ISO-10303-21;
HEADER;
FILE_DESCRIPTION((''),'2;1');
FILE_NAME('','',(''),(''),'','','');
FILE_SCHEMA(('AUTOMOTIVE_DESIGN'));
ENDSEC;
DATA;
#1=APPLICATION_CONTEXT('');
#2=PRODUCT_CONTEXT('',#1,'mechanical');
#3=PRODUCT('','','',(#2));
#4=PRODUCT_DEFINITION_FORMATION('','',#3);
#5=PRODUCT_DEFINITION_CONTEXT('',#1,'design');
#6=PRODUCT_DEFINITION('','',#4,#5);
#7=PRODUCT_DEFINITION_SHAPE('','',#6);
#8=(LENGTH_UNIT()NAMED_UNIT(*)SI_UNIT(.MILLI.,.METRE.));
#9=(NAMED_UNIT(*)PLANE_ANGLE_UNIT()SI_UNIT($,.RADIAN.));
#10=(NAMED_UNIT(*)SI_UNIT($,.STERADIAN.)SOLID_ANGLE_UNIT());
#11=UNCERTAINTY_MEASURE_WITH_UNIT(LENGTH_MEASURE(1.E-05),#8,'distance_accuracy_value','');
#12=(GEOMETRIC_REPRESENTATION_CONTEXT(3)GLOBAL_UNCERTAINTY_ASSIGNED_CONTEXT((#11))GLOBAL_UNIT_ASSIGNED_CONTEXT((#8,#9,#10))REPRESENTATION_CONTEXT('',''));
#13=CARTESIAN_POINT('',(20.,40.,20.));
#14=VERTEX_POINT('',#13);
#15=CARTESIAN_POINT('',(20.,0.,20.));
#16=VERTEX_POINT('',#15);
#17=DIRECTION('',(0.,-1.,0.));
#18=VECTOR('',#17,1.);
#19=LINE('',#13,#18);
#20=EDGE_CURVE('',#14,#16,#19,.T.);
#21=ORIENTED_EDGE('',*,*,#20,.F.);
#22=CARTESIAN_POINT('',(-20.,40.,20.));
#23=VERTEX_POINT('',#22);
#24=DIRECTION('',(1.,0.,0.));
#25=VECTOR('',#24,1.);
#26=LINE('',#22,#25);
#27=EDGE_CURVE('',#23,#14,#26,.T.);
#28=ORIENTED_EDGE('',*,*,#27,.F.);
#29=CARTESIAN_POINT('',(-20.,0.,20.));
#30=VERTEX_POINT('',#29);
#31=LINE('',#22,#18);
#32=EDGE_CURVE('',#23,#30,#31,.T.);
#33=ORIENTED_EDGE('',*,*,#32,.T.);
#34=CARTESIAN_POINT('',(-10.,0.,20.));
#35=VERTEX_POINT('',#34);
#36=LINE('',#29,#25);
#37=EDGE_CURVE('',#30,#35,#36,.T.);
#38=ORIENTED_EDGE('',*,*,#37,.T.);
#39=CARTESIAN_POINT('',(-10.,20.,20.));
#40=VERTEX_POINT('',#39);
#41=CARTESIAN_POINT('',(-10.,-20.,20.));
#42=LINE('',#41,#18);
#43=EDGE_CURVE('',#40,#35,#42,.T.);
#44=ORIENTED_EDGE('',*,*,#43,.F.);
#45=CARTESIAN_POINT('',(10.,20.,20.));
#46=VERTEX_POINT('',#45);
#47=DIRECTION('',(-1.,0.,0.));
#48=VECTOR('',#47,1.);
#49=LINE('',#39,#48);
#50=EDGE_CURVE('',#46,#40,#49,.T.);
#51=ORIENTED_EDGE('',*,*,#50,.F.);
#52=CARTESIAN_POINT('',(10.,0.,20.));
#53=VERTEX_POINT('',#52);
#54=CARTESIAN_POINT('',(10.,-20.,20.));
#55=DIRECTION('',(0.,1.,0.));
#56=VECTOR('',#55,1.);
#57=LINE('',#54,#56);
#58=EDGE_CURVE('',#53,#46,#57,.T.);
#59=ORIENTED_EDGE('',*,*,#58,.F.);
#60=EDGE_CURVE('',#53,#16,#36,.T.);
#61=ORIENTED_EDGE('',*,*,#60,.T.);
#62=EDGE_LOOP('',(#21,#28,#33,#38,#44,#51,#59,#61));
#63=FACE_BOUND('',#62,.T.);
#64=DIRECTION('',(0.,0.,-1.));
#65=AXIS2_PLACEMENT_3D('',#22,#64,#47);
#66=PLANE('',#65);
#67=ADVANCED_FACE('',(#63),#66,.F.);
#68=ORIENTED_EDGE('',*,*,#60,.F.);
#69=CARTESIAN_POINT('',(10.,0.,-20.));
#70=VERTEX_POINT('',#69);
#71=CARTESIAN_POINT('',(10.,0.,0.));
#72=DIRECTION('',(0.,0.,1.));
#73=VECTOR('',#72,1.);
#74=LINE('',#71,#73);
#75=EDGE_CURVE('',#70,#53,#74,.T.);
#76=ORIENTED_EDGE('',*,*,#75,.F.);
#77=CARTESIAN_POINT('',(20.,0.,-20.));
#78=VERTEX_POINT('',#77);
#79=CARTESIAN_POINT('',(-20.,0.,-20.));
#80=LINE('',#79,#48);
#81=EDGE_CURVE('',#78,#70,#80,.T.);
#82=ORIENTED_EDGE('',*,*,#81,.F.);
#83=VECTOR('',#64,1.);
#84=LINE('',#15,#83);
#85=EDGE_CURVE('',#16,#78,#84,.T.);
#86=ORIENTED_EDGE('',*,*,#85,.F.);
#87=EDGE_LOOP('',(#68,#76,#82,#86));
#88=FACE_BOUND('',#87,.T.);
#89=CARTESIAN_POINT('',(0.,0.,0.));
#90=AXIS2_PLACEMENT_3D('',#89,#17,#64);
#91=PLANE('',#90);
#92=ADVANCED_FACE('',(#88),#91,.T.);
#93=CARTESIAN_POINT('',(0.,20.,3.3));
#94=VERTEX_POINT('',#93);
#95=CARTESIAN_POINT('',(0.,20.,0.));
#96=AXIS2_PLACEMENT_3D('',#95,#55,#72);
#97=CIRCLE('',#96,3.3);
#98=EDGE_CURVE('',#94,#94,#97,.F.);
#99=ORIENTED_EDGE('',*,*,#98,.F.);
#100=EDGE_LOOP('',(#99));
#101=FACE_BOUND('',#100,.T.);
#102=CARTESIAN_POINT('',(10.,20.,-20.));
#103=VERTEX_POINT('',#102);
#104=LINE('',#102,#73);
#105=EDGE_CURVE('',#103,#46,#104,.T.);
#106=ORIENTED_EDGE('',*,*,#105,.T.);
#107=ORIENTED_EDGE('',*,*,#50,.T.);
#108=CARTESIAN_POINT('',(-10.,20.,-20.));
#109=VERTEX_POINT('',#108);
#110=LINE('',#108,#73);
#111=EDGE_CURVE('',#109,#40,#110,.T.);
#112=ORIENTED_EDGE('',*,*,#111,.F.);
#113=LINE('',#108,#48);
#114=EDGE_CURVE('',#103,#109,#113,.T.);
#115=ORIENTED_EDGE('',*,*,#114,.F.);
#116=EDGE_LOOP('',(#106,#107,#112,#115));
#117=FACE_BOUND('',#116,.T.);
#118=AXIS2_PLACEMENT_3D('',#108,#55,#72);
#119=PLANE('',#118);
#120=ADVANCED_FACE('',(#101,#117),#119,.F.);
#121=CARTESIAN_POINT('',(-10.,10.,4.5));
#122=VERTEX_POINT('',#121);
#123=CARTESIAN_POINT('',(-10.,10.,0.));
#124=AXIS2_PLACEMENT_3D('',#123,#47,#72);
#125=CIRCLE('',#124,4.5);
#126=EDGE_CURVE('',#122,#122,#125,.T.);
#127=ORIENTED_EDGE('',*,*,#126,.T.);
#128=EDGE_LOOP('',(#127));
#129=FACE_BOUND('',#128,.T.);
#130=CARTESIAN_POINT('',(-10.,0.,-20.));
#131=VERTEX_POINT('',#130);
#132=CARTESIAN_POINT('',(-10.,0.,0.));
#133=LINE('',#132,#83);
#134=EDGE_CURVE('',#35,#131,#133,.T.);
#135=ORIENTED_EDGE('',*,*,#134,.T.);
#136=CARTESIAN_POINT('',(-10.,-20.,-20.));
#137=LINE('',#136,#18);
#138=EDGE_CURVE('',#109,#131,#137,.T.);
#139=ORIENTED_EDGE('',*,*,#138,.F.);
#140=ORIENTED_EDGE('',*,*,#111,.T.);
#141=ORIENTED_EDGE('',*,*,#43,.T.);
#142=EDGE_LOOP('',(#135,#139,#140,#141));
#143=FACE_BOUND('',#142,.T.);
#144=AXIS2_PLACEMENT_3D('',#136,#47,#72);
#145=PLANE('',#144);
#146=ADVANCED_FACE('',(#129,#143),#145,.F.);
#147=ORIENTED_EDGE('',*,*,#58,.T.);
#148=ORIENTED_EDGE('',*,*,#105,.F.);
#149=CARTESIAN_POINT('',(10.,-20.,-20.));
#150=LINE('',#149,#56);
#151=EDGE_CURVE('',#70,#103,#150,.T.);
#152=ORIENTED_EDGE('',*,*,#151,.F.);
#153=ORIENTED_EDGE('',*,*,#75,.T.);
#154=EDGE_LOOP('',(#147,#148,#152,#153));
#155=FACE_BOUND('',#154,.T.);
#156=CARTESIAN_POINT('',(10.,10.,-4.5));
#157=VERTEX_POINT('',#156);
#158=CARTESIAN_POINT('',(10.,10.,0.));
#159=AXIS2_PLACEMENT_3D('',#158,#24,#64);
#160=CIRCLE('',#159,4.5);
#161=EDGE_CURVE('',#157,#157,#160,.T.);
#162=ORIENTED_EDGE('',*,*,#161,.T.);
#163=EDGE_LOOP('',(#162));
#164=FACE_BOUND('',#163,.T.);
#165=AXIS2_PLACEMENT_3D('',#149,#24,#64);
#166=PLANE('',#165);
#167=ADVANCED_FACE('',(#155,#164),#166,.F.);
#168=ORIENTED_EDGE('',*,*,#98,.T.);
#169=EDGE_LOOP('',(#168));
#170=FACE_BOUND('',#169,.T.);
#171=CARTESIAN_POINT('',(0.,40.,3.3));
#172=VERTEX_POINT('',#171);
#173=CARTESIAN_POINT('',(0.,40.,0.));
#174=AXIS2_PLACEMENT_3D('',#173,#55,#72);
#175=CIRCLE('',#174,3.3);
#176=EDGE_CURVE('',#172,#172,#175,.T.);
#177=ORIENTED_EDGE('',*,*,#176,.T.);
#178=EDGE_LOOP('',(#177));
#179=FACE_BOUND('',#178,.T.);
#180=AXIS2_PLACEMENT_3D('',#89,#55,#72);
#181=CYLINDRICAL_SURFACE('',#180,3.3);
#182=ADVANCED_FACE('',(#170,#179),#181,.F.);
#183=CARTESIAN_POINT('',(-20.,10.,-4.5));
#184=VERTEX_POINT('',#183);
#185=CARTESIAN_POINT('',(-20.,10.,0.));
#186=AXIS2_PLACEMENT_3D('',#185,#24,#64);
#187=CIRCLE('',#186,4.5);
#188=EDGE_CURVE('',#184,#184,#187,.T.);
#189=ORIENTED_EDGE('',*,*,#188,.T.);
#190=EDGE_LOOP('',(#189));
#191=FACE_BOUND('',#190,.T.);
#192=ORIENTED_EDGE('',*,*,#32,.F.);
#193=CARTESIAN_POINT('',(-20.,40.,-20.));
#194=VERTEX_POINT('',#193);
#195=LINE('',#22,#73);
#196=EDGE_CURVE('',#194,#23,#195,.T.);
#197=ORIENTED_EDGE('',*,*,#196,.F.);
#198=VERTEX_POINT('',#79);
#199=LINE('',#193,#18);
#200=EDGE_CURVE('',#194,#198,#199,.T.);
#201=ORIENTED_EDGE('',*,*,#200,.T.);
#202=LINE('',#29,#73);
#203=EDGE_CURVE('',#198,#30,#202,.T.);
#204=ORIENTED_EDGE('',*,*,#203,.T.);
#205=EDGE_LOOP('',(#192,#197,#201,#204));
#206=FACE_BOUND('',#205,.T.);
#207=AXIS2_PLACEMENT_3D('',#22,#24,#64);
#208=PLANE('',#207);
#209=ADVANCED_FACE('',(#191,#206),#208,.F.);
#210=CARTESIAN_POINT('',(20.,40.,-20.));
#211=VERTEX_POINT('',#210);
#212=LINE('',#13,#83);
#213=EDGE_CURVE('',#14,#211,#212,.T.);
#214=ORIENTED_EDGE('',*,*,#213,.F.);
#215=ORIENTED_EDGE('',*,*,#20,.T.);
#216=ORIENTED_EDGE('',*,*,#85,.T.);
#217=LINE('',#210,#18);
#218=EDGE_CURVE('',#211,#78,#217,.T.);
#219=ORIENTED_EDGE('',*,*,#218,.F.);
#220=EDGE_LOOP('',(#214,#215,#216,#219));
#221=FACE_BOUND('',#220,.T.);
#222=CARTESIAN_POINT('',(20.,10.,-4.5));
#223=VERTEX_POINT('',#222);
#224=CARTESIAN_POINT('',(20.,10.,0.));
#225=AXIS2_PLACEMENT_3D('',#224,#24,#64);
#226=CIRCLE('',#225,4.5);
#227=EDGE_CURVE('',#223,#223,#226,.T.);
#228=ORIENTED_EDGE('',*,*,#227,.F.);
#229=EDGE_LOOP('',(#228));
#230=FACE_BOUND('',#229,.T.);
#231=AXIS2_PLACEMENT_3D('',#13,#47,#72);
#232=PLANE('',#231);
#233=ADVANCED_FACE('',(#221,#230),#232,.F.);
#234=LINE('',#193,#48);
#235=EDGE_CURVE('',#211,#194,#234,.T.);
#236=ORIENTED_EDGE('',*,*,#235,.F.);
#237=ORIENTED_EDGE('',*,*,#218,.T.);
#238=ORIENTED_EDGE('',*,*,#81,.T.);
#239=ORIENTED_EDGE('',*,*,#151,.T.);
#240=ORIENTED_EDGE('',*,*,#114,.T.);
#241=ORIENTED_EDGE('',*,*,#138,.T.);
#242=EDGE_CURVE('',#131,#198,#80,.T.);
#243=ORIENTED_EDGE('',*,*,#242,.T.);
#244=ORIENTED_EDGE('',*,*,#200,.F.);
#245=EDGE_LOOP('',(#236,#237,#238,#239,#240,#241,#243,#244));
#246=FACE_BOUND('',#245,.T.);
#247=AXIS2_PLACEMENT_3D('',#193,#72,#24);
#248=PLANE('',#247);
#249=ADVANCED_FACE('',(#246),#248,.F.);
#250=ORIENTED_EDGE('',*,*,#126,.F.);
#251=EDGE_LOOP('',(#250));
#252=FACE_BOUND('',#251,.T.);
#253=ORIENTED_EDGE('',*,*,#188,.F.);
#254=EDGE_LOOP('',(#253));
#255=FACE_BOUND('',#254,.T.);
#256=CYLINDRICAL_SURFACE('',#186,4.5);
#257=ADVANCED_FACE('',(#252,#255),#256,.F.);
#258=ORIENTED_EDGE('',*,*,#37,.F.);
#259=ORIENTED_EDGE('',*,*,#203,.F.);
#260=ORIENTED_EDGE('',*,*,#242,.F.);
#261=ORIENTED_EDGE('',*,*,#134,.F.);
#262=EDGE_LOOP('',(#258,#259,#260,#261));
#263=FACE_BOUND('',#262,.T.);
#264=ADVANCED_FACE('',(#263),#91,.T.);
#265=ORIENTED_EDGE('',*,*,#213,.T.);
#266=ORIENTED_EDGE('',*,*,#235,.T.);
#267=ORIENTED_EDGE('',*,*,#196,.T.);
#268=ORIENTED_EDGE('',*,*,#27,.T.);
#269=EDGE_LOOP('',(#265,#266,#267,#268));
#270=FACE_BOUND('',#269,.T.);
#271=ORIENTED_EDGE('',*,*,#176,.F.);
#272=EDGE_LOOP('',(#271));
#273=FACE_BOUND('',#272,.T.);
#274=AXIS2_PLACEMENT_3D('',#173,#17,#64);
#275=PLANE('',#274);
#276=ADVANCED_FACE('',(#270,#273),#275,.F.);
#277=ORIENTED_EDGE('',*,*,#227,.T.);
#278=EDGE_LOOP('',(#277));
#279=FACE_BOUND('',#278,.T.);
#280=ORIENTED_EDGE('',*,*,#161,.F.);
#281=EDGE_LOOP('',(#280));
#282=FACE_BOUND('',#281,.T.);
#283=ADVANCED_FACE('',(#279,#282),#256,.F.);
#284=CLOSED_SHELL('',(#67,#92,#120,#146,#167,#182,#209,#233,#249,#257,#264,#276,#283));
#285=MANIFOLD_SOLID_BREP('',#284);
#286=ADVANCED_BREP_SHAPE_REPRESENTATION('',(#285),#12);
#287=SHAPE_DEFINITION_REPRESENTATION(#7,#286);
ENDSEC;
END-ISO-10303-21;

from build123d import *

# Parameters (mm, degrees)
SKETCH1_W           = 40
SKETCH1_H           = 40
BOSS_EXTRUDE1_DEPTH = 40
SKETCH2_R           = 3.3
CUT_EXTRUDE1_DEPTH  = 40
SKETCH3_W           = 20
SKETCH3_H           = 40
CUT_EXTRUDE2_DEPTH  = 40
SKETCH4_R           = 4.5
CUT_EXTRUDE3_DEPTH  = 40


with BuildPart() as part:
    # Sketch1 → Boss-Extrude1 (new body)
    with BuildSketch(Plane(origin=(0, 0, 0), x_dir=(1, 0, 0), z_dir=(0, 1, 0))):
        Rectangle(SKETCH1_W, SKETCH1_H)
    extrude(amount=BOSS_EXTRUDE1_DEPTH)

    # Sketch2 → Cut-Extrude1 (cut)
    with BuildSketch(Plane(origin=(0, 40, 0), x_dir=(1, 0, 0), z_dir=(0, 1, 0))):
        Circle(SKETCH2_R)
    extrude(amount=-CUT_EXTRUDE1_DEPTH, mode=Mode.SUBTRACT)

    # Sketch3 → Cut-Extrude2 (cut)
    with BuildSketch(Plane.XY.offset(20)):
        Rectangle(SKETCH3_W, SKETCH3_H)
    extrude(amount=-CUT_EXTRUDE2_DEPTH, mode=Mode.SUBTRACT)

    # Sketch4 → Cut-Extrude3 (cut)
    with BuildSketch(Plane(origin=(20, 0, 0), x_dir=(0, 0, -1), z_dir=(1, 0, 0))):
        with Locations((0, 10)):
            Circle(SKETCH4_R)
    extrude(amount=-CUT_EXTRUDE3_DEPTH, mode=Mode.SUBTRACT)


solid = part.part
